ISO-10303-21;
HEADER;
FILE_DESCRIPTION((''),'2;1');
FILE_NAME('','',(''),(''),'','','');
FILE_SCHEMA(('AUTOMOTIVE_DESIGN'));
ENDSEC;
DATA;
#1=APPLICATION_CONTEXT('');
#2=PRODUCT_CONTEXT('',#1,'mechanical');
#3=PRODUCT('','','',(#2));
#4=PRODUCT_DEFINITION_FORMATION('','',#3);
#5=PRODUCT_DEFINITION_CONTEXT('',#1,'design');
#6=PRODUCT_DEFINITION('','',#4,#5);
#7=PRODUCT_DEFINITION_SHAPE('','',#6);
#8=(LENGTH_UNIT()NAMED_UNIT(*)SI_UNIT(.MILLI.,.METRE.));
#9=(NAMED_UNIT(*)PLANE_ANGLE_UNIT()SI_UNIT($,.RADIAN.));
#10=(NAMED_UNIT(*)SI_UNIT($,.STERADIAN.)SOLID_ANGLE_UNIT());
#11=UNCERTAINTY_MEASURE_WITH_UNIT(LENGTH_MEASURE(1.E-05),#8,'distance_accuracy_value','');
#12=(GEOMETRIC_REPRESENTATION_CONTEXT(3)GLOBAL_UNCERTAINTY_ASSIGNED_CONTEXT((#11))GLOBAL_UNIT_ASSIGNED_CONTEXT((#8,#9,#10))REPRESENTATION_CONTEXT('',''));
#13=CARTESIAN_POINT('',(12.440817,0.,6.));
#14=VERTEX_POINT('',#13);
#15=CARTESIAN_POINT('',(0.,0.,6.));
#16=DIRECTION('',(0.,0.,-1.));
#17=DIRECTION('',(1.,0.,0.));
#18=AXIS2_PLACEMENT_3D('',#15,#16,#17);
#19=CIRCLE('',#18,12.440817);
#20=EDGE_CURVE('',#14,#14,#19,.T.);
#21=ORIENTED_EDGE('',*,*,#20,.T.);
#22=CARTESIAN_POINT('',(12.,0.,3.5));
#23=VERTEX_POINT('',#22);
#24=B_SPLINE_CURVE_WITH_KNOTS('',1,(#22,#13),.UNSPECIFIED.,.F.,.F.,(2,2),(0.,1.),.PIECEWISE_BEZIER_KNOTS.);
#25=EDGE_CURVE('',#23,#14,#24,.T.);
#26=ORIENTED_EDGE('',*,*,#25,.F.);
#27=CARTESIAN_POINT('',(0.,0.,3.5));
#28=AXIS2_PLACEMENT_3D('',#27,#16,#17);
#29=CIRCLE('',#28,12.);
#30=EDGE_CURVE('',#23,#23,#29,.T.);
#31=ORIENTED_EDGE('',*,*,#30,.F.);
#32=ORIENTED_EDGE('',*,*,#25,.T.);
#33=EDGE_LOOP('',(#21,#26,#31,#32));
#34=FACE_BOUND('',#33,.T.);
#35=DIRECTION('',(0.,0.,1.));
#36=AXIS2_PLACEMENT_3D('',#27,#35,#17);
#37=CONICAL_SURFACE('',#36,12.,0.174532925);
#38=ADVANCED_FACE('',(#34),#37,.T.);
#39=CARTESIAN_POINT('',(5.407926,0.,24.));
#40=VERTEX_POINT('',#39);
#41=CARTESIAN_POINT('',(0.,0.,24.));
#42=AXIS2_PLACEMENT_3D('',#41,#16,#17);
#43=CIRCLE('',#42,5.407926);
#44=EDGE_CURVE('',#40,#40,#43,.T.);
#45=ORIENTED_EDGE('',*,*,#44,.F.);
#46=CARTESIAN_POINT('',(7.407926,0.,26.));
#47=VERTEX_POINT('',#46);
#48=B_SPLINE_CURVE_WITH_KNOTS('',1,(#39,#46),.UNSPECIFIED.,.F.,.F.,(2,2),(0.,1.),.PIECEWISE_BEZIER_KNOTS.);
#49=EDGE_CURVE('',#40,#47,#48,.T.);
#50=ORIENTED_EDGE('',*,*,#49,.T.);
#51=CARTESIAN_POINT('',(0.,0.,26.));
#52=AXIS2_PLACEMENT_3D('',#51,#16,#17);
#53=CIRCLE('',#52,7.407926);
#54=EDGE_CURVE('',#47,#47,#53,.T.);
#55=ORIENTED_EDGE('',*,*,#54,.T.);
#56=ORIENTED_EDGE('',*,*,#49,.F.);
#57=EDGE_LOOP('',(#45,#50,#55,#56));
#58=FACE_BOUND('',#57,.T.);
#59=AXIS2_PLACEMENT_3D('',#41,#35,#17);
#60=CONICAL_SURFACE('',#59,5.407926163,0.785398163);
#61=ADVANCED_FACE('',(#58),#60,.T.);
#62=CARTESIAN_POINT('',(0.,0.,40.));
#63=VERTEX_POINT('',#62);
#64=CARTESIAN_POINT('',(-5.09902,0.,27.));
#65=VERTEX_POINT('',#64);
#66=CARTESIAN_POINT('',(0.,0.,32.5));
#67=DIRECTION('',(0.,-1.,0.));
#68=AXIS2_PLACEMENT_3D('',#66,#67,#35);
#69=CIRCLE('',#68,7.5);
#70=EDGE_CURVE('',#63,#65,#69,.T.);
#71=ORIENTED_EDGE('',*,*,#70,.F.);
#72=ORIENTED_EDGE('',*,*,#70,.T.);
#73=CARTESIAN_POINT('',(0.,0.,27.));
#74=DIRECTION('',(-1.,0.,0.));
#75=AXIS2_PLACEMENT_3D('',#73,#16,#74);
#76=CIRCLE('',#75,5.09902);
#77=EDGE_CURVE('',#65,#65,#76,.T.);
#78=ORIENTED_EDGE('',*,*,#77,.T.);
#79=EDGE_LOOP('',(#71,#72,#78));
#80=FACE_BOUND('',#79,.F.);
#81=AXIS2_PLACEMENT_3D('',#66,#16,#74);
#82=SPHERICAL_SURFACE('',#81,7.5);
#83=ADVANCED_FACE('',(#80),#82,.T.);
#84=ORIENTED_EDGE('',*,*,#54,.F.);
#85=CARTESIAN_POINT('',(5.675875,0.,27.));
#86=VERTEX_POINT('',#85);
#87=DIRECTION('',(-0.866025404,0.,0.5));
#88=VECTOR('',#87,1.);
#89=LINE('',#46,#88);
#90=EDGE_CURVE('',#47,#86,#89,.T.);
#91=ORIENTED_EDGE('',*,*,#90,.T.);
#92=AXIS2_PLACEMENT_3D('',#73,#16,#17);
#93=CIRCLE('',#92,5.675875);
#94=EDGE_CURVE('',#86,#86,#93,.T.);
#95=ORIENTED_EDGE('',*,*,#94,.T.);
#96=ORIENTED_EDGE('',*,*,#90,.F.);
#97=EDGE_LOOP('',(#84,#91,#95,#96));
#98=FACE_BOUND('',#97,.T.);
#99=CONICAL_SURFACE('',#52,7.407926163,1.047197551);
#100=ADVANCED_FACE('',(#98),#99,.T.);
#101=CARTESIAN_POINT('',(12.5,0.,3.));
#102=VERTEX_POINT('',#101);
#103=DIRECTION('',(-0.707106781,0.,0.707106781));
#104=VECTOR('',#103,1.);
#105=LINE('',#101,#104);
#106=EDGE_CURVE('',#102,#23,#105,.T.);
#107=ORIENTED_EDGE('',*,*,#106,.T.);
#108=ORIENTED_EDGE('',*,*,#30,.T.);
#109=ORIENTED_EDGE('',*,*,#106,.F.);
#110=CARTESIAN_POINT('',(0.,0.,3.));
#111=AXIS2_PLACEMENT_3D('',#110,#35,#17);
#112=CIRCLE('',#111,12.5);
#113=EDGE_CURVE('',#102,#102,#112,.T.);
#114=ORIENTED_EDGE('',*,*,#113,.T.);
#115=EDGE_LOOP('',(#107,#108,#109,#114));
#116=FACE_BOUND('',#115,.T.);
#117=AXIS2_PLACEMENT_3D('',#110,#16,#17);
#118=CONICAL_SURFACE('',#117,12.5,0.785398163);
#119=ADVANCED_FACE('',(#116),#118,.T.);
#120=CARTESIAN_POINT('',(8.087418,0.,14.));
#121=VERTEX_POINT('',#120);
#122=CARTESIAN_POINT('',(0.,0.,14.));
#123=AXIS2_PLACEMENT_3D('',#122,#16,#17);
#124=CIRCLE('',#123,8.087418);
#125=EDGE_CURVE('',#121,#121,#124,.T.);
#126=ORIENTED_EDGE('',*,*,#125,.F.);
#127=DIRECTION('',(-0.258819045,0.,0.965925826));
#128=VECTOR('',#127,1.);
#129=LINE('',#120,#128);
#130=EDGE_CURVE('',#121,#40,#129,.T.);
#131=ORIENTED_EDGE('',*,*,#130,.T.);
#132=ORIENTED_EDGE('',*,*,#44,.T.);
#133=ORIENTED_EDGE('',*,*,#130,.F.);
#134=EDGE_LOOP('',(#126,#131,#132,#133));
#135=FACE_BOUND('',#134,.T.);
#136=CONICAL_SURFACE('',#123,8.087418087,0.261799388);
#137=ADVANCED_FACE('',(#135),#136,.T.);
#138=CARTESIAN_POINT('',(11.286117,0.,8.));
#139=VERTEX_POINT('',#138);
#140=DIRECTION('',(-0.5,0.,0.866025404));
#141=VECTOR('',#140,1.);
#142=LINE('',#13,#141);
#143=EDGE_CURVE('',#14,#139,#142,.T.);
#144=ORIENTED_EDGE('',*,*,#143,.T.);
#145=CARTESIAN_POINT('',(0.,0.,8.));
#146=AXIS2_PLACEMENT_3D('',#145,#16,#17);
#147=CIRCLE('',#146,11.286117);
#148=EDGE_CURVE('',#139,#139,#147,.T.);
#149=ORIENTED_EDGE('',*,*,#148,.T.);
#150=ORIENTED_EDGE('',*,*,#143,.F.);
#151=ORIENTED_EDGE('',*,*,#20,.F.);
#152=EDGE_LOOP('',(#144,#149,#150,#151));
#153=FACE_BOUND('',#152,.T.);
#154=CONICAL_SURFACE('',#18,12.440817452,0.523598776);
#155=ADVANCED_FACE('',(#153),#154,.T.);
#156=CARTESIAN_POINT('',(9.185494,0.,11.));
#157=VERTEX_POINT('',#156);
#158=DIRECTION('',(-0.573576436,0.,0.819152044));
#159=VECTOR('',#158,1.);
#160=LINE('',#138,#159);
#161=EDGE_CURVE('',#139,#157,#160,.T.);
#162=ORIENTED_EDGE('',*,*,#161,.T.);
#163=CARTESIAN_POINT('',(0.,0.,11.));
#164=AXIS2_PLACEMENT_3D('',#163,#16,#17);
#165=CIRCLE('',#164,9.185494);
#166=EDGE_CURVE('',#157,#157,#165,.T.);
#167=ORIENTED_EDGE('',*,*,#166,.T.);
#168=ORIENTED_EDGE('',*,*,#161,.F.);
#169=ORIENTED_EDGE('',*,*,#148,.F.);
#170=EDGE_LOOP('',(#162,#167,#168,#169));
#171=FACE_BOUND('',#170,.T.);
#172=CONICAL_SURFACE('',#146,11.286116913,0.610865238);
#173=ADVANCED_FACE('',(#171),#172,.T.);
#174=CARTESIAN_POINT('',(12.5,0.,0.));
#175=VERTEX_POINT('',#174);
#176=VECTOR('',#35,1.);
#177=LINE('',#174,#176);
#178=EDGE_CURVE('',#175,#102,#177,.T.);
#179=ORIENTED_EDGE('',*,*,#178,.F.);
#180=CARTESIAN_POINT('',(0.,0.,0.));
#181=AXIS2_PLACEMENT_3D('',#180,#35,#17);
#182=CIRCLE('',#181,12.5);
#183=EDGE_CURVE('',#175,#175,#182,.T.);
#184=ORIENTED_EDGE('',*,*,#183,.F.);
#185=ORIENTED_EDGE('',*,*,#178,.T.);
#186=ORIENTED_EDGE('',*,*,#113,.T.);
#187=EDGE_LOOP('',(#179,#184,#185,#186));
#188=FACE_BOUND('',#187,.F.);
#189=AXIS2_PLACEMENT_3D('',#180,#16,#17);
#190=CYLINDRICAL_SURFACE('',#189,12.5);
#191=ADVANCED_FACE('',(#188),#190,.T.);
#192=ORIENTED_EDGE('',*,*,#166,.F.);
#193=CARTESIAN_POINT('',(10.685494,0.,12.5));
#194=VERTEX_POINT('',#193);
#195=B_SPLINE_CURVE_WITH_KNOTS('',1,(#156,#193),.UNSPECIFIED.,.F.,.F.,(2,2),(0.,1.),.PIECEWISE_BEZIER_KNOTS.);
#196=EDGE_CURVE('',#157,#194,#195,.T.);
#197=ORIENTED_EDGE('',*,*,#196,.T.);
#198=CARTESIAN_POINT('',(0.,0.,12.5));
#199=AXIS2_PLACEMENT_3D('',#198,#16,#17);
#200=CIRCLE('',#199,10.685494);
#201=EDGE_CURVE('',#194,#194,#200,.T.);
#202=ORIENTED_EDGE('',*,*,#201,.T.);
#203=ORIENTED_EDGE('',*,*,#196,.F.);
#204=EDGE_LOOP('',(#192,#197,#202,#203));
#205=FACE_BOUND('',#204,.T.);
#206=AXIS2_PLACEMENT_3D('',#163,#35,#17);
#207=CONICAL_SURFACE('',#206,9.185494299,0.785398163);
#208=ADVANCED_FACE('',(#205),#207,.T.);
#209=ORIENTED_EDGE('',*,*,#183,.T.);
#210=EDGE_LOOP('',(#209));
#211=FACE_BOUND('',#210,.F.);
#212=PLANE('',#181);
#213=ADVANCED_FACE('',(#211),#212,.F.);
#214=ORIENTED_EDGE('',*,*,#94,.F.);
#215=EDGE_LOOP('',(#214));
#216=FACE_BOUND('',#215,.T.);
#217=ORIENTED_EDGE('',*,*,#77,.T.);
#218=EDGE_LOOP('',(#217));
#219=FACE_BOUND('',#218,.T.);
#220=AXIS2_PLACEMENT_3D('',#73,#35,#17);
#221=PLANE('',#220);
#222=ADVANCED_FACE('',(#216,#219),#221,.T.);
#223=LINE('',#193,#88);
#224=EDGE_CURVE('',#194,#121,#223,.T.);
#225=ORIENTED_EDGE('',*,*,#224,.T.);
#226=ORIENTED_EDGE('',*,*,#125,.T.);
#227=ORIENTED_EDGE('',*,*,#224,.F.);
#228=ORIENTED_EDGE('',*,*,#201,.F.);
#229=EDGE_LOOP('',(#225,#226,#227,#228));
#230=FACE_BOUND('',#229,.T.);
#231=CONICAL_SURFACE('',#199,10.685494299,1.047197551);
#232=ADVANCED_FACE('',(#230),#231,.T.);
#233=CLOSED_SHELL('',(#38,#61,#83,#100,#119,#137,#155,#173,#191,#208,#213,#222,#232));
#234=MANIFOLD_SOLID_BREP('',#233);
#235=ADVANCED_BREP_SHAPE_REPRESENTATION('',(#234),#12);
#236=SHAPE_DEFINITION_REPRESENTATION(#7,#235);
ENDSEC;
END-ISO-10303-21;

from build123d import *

# Parameters (mm, degrees)
F0_R      = 12.5
F1_DEPTH  = 3
F1_FACE_R = 12.5
F2_DEPTH  = 0.5
F2_TAPER  = 45
F2_FACE_R = 12
F3_DEPTH  = 2.5
F3_TAPER  = -10
F3_FACE_R = 12.4408174518
F4_DEPTH  = 2
F4_TAPER  = 30
F4_FACE_R = 11.2861169134
F5_DEPTH  = 3
F5_TAPER  = 35
F5_FACE_R = 9.1854942988
F6_DEPTH  = 1.5
F6_TAPER  = -45
F6_FACE_R = 10.6854942988
F7_DEPTH  = 1.5
F7_TAPER  = 60
F7_FACE_R = 8.0874180874
F8_DEPTH  = 10
F8_TAPER  = 15
F8_FACE_R = 5.4079261631
F9_DEPTH  = 2
F9_TAPER  = -45
F9_FACE_R = 7.4079261631
F10_DEPTH = 1
F10_TAPER = 60


with BuildPart() as f1:
    # F0 (on Top) → F1 (new body)
    with BuildSketch(Plane.XY):
        Circle(F0_R)
    extrude(amount=F1_DEPTH)

    # F1_face (on face) → F2 (join)
    with BuildSketch(Plane.XY.offset(3)):
        Circle(F1_FACE_R)
    extrude(amount=F2_DEPTH, taper=F2_TAPER)

    # F2_face (on face) → F3 (join)
    with BuildSketch(Plane.XY.offset(3.5)):
        Circle(F2_FACE_R)
    extrude(amount=F3_DEPTH, taper=F3_TAPER)

    # F3_face (on face) → F4 (join)
    with BuildSketch(Plane.XY.offset(6)):
        Circle(F3_FACE_R)
    extrude(amount=F4_DEPTH, taper=F4_TAPER)

    # F4_face (on face) → F5 (join)
    with BuildSketch(Plane.XY.offset(8)):
        Circle(F4_FACE_R)
    extrude(amount=F5_DEPTH, taper=F5_TAPER)

    # F5_face (on face) → F6 (join)
    with BuildSketch(Plane.XY.offset(11)):
        Circle(F5_FACE_R)
    extrude(amount=F6_DEPTH, taper=F6_TAPER)

    # F6_face (on face) → F7 (join)
    with BuildSketch(Plane.XY.offset(12.5)):
        Circle(F6_FACE_R)
    extrude(amount=F7_DEPTH, taper=F7_TAPER)

    # F7_face (on face) → F8 (join)
    with BuildSketch(Plane.XY.offset(14)):
        Circle(F7_FACE_R)
    extrude(amount=F8_DEPTH, taper=F8_TAPER)

    # F8_face (on face) → F9 (join)
    with BuildSketch(Plane.XY.offset(24)):
        Circle(F8_FACE_R)
    extrude(amount=F9_DEPTH, taper=F9_TAPER)

    # F9_face (on face) → F10 (join)
    with BuildSketch(Plane.XY.offset(26)):
        Circle(F9_FACE_R)
    extrude(amount=F10_DEPTH, taper=F10_TAPER)

    # F11 (on Front) → F12 (revolve)
    with BuildSketch(Plane.XZ):
        with BuildLine():
            ThreePointArc((0, 40), (-7.5, 32.5), (0, 25))
            Line((0, 25), (0, 32.5))
            Line((0, 32.5), (0, 40))
        make_face()
    revolve(axis=Axis((0, 0, 16.25), (0, 0, 1)))


solid = f1.part
